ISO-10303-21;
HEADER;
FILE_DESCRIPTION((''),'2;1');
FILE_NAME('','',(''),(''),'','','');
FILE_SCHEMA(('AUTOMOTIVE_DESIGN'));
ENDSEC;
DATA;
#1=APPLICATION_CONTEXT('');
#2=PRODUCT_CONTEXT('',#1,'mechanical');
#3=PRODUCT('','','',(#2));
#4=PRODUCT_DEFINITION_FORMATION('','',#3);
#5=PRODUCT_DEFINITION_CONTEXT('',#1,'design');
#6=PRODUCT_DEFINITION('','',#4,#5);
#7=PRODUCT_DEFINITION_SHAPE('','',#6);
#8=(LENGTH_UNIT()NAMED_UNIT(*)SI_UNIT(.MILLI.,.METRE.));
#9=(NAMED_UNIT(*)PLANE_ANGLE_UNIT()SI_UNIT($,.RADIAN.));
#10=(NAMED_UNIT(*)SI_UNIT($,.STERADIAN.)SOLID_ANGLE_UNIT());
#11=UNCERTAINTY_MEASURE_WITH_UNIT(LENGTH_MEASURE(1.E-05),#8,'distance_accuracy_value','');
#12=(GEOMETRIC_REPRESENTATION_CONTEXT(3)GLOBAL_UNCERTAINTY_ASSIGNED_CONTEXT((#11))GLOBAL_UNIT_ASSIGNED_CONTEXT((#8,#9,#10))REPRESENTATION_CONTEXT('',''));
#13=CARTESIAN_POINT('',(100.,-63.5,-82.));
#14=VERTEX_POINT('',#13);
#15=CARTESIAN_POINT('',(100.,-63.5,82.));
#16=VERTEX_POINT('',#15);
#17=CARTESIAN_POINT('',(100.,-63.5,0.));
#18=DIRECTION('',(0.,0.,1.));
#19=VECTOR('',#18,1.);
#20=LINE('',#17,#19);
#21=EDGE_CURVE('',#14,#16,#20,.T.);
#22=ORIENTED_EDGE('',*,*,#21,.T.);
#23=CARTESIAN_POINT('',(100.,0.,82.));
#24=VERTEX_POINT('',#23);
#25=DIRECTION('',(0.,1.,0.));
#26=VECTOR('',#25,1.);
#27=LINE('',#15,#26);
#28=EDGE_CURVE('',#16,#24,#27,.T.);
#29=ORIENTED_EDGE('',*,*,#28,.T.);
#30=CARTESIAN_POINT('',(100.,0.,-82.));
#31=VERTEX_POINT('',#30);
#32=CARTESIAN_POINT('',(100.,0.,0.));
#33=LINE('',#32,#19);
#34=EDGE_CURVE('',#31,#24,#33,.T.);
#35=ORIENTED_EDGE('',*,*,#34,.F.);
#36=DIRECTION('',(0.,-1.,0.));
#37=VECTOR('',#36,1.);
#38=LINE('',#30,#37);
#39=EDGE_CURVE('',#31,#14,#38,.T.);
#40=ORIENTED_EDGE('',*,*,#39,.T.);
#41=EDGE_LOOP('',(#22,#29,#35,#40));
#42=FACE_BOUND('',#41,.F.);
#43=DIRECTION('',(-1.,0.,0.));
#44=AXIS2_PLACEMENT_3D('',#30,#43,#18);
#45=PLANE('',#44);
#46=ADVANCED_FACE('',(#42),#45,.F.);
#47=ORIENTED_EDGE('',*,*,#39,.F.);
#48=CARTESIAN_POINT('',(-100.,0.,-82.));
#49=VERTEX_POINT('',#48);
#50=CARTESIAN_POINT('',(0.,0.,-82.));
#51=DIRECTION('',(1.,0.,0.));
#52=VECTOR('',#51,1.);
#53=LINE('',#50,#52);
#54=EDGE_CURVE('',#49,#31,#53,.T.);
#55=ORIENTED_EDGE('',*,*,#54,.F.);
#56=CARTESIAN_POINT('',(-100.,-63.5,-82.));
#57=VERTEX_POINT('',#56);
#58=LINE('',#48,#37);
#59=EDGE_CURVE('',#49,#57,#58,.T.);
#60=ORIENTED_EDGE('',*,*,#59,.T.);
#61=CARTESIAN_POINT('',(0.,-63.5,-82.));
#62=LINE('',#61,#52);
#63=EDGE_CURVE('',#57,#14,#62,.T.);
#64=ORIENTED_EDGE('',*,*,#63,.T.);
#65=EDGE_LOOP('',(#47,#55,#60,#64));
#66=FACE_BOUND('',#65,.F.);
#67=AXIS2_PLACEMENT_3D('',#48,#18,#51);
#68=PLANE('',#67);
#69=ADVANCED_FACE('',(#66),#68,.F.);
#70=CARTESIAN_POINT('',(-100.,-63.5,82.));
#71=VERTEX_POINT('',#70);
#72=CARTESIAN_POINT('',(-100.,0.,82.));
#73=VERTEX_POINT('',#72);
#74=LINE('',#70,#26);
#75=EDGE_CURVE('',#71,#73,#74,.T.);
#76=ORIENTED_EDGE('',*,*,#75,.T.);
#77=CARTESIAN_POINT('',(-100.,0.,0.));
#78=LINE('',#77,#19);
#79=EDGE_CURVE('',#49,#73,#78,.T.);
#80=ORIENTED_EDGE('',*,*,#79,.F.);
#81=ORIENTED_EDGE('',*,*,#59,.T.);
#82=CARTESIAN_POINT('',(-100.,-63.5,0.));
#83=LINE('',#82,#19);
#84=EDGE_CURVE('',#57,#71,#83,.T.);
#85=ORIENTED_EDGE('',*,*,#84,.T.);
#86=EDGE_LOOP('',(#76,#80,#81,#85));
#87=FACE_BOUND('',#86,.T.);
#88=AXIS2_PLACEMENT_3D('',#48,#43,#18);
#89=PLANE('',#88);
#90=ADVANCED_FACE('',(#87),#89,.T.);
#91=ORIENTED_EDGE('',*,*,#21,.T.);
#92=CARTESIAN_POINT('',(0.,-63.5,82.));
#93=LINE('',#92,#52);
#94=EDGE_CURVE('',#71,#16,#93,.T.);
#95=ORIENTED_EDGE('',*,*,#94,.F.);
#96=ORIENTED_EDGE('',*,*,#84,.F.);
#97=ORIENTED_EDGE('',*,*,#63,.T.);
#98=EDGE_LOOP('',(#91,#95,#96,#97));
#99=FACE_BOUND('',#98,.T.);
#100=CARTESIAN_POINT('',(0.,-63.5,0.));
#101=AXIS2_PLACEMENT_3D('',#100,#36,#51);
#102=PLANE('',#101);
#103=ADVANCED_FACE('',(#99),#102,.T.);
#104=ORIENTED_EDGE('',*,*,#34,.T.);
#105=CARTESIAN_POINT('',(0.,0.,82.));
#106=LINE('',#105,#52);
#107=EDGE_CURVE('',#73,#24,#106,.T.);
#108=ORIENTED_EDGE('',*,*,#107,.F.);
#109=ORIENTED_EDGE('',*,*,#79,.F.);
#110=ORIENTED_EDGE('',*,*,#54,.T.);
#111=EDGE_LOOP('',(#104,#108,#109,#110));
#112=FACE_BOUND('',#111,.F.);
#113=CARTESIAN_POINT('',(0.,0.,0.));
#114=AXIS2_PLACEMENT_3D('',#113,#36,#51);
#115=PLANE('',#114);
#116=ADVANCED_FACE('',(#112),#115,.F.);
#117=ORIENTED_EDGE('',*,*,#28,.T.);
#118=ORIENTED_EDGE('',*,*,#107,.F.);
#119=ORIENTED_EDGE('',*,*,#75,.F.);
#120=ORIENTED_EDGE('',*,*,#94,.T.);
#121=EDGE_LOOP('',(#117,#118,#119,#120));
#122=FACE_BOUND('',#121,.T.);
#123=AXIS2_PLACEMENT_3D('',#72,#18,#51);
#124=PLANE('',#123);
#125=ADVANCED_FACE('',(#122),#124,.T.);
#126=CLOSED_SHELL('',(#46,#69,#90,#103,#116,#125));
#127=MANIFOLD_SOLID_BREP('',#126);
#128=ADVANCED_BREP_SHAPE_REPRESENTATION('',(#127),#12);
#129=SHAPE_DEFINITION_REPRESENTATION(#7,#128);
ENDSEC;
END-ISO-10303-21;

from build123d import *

# Parameters (mm, degrees)
F0_W     = 200
F0_H     = 164
F1_DEPTH = 63.5
F2_DEPTH = 62.5


with BuildPart() as f1:
    # F0 (on Front) → F1 (new body)
    with BuildSketch(Plane.XZ):
        Rectangle(F0_W, F0_H)
    extrude(amount=F1_DEPTH)

    # F0 (on Front) → F2 (join)
    with BuildSketch(Plane.XZ):
        Rectangle(F0_W, F0_H)
    extrude(amount=F2_DEPTH)


solid = f1.part
